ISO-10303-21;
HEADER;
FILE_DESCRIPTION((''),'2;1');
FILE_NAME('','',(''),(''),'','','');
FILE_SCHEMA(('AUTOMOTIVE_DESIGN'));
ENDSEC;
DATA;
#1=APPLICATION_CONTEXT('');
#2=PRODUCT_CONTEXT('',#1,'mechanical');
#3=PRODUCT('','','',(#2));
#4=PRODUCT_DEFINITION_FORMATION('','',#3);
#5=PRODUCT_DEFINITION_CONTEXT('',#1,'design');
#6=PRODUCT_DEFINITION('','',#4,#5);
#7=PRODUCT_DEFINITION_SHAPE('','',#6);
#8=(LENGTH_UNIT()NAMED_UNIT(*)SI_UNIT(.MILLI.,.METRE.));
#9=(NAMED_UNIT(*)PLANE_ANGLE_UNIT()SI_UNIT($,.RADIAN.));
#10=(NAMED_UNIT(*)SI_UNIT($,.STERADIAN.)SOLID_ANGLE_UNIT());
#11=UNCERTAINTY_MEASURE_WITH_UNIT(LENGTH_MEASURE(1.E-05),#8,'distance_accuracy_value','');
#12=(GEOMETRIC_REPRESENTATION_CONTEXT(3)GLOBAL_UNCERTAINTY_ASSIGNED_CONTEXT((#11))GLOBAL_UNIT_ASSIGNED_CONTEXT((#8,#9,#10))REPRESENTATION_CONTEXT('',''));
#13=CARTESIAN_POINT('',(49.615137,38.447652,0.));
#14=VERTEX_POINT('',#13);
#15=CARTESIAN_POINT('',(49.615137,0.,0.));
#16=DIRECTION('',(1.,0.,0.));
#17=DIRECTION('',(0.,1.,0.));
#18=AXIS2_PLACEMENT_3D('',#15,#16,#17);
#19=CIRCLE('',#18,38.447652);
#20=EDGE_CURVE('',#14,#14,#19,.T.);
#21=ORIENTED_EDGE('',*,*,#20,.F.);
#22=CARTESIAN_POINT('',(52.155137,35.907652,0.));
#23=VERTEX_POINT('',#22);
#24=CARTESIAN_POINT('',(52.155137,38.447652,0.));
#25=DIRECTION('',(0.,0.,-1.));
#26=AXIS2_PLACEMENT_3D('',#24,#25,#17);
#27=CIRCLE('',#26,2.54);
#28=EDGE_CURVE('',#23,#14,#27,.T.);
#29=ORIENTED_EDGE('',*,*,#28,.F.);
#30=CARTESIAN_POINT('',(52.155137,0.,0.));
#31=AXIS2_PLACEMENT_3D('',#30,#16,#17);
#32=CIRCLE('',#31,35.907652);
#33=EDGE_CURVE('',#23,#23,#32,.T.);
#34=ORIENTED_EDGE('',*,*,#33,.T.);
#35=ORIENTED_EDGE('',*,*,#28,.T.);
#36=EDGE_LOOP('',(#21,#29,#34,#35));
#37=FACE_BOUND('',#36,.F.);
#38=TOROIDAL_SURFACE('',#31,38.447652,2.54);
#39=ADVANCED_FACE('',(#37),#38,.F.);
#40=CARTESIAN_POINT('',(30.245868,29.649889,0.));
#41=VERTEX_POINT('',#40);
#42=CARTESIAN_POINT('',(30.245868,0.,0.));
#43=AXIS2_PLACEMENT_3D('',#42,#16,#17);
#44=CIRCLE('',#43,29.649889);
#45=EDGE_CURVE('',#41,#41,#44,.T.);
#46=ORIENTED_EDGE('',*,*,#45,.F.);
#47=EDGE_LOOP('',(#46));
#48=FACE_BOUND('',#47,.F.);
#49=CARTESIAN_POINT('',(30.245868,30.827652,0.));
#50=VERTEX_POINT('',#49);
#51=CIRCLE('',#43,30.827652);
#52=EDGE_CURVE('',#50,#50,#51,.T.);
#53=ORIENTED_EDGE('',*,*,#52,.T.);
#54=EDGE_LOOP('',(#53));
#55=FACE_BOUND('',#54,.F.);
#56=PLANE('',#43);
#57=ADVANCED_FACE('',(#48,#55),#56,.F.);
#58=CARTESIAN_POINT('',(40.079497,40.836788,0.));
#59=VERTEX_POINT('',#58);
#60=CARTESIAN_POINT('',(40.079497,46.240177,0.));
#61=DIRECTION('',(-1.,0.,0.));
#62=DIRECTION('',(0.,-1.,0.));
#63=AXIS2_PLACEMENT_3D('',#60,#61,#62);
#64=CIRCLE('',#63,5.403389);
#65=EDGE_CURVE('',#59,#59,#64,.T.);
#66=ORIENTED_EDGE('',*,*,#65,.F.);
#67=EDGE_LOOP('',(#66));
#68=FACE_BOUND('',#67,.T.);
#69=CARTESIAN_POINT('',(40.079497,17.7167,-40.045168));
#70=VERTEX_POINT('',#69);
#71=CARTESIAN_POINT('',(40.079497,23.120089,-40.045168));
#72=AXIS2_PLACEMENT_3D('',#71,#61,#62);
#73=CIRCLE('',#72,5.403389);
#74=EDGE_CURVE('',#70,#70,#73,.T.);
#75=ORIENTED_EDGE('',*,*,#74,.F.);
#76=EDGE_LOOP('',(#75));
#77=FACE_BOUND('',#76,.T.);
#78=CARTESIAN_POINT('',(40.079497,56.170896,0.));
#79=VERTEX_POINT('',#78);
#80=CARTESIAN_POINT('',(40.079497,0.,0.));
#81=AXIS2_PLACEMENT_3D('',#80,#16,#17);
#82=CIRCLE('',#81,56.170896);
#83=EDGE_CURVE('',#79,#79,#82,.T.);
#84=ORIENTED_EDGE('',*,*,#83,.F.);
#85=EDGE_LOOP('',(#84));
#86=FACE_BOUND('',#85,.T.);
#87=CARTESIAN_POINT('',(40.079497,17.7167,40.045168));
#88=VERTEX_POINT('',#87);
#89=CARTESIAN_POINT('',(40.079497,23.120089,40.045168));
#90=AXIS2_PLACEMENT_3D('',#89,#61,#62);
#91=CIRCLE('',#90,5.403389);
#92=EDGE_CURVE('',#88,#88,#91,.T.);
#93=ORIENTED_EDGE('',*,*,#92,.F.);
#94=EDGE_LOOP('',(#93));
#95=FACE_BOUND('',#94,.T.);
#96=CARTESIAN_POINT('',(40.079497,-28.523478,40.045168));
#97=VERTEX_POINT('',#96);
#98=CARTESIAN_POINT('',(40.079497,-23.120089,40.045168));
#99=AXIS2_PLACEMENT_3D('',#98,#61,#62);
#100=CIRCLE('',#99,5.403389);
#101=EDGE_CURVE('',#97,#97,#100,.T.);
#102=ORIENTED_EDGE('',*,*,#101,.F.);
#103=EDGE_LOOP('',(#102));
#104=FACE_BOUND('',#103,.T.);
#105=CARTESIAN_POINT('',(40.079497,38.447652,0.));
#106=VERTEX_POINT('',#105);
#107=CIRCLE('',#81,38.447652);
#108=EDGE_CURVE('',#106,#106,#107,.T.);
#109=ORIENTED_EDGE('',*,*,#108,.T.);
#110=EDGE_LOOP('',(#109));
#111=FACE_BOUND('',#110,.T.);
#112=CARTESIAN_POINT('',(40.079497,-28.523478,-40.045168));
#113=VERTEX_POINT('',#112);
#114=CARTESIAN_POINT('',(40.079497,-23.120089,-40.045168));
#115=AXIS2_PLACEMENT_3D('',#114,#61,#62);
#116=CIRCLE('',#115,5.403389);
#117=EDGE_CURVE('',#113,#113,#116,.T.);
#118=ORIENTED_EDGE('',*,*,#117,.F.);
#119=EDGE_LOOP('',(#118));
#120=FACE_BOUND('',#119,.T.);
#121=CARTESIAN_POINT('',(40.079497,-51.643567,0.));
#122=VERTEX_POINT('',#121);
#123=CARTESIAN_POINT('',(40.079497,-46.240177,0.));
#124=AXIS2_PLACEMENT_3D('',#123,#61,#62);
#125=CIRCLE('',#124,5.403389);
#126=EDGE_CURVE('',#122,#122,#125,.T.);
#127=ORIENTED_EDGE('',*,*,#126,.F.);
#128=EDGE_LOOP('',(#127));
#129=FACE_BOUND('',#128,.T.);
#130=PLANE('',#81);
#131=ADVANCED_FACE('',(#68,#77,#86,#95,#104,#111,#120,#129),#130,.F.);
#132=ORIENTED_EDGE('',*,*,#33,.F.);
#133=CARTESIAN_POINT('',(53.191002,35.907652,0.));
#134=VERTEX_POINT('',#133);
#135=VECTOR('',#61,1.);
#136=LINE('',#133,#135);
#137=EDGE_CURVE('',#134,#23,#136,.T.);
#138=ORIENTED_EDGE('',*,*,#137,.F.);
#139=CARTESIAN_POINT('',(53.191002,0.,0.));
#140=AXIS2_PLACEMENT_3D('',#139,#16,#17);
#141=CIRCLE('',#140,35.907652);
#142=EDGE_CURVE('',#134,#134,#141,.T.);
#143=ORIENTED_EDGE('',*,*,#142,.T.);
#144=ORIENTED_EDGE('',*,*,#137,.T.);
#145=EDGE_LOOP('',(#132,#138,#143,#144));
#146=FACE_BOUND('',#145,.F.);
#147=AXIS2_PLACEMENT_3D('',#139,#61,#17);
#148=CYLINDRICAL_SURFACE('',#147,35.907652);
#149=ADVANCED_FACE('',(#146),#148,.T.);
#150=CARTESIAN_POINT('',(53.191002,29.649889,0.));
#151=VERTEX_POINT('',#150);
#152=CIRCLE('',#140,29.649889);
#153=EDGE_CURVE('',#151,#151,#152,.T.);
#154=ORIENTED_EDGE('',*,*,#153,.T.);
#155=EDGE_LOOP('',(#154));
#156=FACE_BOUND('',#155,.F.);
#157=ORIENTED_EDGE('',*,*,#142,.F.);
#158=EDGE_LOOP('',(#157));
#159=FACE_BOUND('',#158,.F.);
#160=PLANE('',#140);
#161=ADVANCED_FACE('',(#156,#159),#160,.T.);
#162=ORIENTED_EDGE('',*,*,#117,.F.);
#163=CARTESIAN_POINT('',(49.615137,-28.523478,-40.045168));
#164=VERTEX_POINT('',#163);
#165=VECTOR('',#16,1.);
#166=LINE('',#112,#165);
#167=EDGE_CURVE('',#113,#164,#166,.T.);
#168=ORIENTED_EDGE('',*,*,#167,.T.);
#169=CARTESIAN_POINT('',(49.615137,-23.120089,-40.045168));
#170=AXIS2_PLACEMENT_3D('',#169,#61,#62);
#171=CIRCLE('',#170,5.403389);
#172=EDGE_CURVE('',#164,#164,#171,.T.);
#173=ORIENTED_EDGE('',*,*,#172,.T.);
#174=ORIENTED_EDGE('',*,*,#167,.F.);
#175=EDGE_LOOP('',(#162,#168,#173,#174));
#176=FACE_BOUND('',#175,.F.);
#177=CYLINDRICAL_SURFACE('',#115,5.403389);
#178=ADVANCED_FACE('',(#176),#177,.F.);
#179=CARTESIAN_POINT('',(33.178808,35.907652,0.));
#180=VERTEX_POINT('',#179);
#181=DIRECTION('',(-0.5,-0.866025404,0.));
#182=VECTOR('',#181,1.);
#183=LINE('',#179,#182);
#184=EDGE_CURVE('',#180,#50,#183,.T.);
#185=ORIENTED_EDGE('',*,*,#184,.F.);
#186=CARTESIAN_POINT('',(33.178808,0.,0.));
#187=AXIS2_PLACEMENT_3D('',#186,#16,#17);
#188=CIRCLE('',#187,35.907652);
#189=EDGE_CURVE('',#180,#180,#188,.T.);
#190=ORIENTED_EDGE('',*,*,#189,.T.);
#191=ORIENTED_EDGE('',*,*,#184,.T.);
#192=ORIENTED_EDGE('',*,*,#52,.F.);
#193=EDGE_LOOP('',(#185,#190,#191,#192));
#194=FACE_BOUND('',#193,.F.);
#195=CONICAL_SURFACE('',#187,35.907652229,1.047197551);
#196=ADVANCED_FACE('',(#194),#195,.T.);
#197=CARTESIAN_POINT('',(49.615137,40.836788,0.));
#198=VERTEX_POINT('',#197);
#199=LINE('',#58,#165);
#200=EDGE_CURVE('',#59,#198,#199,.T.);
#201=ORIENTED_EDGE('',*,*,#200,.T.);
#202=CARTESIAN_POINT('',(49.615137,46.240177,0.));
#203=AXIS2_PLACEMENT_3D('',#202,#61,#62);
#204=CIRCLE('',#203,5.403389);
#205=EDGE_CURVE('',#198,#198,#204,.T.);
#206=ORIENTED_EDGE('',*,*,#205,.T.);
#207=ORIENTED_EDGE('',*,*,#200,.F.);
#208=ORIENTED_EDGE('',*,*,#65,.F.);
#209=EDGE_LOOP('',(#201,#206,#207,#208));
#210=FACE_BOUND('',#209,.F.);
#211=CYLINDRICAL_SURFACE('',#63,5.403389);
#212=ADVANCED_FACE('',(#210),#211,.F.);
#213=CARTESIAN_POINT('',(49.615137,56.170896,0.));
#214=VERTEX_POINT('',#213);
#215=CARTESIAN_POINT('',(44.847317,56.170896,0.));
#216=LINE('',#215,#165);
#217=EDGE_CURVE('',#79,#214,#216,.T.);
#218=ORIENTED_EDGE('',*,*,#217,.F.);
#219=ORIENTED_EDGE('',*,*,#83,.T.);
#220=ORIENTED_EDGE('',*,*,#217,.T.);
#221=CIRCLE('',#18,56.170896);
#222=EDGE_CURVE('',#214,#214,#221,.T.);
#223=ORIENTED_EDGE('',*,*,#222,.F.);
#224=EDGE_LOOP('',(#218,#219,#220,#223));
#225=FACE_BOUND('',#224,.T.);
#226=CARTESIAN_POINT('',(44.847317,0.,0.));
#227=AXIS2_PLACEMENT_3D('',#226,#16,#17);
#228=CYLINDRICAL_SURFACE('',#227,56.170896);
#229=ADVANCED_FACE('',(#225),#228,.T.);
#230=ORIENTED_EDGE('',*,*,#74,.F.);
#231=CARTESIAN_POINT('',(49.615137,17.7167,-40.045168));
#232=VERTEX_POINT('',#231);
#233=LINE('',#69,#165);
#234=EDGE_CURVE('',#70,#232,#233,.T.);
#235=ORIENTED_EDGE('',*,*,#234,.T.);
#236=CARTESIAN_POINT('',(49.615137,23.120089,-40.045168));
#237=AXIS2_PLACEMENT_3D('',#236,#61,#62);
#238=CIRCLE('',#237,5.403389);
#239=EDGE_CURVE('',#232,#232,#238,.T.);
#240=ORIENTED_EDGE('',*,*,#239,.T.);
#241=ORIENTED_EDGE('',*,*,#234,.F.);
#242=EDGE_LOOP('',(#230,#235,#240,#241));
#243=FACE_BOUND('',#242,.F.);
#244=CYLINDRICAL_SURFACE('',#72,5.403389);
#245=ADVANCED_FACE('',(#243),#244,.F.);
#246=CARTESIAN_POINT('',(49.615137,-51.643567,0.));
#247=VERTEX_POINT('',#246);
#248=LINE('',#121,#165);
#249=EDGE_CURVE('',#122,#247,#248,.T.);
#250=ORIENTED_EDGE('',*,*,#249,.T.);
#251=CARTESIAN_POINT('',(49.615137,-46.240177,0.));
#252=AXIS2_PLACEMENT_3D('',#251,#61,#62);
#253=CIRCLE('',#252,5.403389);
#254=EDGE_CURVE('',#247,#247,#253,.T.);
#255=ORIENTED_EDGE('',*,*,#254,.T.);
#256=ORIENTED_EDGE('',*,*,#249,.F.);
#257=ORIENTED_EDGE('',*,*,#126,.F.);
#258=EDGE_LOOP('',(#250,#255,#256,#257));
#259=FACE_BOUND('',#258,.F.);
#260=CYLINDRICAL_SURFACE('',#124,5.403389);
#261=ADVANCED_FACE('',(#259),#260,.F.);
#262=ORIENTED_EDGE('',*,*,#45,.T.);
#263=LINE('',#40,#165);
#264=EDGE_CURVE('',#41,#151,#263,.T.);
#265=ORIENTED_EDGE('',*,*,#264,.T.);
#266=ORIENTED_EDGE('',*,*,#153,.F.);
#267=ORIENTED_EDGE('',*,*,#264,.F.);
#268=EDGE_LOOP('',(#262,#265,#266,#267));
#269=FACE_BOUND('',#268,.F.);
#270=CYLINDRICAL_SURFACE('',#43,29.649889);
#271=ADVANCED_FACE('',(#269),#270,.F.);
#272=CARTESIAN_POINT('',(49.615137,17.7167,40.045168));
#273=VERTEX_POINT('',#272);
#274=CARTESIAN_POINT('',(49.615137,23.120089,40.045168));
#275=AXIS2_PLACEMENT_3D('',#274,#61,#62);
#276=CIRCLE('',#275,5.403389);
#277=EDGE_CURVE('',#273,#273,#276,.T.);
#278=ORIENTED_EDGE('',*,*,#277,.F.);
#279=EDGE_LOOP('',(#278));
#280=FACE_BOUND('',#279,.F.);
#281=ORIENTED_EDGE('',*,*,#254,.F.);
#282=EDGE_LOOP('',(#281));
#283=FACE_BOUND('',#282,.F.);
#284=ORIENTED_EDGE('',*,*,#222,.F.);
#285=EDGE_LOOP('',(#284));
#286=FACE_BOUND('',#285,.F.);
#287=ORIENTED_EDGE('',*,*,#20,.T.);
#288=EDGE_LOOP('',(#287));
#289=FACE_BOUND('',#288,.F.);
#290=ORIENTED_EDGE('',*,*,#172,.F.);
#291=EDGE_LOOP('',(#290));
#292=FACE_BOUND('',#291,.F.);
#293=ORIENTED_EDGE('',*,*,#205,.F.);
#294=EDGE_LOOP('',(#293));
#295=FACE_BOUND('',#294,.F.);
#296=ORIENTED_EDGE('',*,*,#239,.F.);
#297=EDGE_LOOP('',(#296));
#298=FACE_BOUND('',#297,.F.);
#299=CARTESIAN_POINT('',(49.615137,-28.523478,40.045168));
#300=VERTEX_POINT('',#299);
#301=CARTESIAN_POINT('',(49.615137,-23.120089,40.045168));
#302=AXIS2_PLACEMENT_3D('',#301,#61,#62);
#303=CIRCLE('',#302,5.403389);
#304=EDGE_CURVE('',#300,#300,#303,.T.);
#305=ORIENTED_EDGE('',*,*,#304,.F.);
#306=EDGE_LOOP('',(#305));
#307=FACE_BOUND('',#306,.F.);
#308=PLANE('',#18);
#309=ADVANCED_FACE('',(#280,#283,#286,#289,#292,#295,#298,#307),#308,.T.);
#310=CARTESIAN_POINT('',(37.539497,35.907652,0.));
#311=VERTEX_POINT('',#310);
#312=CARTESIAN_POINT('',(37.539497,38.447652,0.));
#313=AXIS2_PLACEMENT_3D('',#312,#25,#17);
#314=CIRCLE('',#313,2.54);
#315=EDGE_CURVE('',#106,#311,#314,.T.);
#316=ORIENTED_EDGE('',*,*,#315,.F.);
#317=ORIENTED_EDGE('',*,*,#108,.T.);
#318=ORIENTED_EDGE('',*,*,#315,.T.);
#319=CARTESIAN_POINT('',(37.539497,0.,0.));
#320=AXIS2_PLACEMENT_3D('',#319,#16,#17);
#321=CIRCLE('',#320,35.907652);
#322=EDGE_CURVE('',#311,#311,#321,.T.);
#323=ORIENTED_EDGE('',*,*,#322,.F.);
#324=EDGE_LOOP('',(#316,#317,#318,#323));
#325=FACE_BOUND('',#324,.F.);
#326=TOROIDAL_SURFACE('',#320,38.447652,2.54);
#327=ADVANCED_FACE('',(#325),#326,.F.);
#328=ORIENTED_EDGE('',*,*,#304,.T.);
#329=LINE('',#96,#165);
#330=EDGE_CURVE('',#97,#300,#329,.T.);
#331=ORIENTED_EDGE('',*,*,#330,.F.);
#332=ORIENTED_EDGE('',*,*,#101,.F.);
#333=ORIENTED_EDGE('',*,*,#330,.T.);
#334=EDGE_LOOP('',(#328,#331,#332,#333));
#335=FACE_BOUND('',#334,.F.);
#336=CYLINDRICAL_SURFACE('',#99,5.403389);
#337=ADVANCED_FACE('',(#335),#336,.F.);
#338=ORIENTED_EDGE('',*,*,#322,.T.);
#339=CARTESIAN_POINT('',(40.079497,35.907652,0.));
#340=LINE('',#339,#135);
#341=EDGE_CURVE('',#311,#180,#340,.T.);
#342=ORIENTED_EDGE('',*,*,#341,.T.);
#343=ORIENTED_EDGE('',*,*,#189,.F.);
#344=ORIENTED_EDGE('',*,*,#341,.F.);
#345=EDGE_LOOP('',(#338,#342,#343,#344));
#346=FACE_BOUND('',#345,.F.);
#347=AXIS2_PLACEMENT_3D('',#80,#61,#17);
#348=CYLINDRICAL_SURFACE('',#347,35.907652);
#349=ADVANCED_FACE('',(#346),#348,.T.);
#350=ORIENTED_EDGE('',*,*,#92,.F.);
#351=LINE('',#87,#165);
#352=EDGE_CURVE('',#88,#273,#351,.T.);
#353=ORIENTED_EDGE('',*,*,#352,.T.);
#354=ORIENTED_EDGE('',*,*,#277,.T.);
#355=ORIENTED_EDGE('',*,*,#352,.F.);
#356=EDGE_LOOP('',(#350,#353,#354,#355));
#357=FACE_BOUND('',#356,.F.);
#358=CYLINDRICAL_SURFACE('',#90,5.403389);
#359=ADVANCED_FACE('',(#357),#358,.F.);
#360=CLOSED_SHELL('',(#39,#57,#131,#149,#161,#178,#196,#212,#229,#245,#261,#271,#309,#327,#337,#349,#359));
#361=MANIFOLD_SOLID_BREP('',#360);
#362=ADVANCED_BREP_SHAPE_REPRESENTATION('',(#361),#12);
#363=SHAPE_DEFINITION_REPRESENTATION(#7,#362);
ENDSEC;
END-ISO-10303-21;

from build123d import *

# Parameters (mm, degrees)
F1_W          = 9.5356404781
F1_H          = 20.2632434666
F3_R          = 2.54
F4_R          = 2.54
F5_SIZE2      = 5.08
F5_SIZE       = 2.9329393675
F6_R          = 5.4033891953
F7_DEPTH      = 25.4
F7_DEPTH_BACK = 25.4
F8_DEPTH      = 25.4
F8_DEPTH_BACK = 25.4


with BuildPart() as f2:
    # F1 (on Top) → F2 (revolve)
    with BuildSketch(Plane.XY):
        with Locations((44.84731704, 46.0392739624)):
            Rectangle(F1_W, F1_H)
        Polygon((49.615137279, 35.9076522291), (40.0794968009, 35.9076522291), (30.2458684891, 35.9076522291), (30.2458684891, 29.6498890966), (53.1910024583, 29.6498890966), (53.1910024583, 35.9076522291), align=None)
    revolve(axis=Axis((0.2979896963, 0, 0), (1, 0, 0)))

    # F3
    f3_edges = [f2.edges().sort_by_distance(p)[0] for p in [
        (49.615137, -35.907652, 0),
    ]]
    fillet(f3_edges, radius=F3_R)

    # F4
    f4_edges = [f2.edges().sort_by_distance(p)[0] for p in [
        (40.079497, -35.907652, 0),
    ]]
    fillet(f4_edges, radius=F4_R)

    # F5
    f5_edges = [f2.edges().sort_by_distance(p)[0] for p in [
        (30.245868, -35.907652, 0),
    ]]
    f5_side = f2.faces().sort_by_distance((33.892683, -35.907652, 0))[0]
    chamfer(f5_edges, length=F5_SIZE, length2=F5_SIZE2, reference=f5_side)

    # F6 (on face) → F7 (cut, two sides)
    with BuildSketch(Plane(origin=(40.0794968009, 0, 0), x_dir=(0, -1, 0), z_dir=(-1, 0, 0))) as f7_sk:
        with Locations((-46.2401774935, 0)):
            Circle(F6_R)
    extrude(amount=F7_DEPTH, mode=Mode.SUBTRACT)
    extrude(f7_sk.sketch, amount=-F7_DEPTH_BACK, mode=Mode.SUBTRACT)

    # F6 (on face) → F8 (cut, two sides)
    with BuildSketch(Plane(origin=(40.0794968009, 0, 0), x_dir=(0, -1, 0), z_dir=(-1, 0, 0))) as f8_sk:
        with Locations((-46.2401774935, 0)):
            Circle(F6_R)
        with Locations((-23.1200887467, -40.0451683849)):
            Circle(F6_R)
        with Locations((23.1200887467, -40.0451683849)):
            Circle(F6_R)
        with Locations((46.2401774935, 0)):
            Circle(F6_R)
        with Locations((23.1200887467, 40.0451683849)):
            Circle(F6_R)
        with Locations((-23.1200887467, 40.0451683849)):
            Circle(F6_R)
    extrude(amount=-F8_DEPTH, mode=Mode.SUBTRACT)
    extrude(f8_sk.sketch, amount=F8_DEPTH_BACK, mode=Mode.SUBTRACT)


solid = f2.part
